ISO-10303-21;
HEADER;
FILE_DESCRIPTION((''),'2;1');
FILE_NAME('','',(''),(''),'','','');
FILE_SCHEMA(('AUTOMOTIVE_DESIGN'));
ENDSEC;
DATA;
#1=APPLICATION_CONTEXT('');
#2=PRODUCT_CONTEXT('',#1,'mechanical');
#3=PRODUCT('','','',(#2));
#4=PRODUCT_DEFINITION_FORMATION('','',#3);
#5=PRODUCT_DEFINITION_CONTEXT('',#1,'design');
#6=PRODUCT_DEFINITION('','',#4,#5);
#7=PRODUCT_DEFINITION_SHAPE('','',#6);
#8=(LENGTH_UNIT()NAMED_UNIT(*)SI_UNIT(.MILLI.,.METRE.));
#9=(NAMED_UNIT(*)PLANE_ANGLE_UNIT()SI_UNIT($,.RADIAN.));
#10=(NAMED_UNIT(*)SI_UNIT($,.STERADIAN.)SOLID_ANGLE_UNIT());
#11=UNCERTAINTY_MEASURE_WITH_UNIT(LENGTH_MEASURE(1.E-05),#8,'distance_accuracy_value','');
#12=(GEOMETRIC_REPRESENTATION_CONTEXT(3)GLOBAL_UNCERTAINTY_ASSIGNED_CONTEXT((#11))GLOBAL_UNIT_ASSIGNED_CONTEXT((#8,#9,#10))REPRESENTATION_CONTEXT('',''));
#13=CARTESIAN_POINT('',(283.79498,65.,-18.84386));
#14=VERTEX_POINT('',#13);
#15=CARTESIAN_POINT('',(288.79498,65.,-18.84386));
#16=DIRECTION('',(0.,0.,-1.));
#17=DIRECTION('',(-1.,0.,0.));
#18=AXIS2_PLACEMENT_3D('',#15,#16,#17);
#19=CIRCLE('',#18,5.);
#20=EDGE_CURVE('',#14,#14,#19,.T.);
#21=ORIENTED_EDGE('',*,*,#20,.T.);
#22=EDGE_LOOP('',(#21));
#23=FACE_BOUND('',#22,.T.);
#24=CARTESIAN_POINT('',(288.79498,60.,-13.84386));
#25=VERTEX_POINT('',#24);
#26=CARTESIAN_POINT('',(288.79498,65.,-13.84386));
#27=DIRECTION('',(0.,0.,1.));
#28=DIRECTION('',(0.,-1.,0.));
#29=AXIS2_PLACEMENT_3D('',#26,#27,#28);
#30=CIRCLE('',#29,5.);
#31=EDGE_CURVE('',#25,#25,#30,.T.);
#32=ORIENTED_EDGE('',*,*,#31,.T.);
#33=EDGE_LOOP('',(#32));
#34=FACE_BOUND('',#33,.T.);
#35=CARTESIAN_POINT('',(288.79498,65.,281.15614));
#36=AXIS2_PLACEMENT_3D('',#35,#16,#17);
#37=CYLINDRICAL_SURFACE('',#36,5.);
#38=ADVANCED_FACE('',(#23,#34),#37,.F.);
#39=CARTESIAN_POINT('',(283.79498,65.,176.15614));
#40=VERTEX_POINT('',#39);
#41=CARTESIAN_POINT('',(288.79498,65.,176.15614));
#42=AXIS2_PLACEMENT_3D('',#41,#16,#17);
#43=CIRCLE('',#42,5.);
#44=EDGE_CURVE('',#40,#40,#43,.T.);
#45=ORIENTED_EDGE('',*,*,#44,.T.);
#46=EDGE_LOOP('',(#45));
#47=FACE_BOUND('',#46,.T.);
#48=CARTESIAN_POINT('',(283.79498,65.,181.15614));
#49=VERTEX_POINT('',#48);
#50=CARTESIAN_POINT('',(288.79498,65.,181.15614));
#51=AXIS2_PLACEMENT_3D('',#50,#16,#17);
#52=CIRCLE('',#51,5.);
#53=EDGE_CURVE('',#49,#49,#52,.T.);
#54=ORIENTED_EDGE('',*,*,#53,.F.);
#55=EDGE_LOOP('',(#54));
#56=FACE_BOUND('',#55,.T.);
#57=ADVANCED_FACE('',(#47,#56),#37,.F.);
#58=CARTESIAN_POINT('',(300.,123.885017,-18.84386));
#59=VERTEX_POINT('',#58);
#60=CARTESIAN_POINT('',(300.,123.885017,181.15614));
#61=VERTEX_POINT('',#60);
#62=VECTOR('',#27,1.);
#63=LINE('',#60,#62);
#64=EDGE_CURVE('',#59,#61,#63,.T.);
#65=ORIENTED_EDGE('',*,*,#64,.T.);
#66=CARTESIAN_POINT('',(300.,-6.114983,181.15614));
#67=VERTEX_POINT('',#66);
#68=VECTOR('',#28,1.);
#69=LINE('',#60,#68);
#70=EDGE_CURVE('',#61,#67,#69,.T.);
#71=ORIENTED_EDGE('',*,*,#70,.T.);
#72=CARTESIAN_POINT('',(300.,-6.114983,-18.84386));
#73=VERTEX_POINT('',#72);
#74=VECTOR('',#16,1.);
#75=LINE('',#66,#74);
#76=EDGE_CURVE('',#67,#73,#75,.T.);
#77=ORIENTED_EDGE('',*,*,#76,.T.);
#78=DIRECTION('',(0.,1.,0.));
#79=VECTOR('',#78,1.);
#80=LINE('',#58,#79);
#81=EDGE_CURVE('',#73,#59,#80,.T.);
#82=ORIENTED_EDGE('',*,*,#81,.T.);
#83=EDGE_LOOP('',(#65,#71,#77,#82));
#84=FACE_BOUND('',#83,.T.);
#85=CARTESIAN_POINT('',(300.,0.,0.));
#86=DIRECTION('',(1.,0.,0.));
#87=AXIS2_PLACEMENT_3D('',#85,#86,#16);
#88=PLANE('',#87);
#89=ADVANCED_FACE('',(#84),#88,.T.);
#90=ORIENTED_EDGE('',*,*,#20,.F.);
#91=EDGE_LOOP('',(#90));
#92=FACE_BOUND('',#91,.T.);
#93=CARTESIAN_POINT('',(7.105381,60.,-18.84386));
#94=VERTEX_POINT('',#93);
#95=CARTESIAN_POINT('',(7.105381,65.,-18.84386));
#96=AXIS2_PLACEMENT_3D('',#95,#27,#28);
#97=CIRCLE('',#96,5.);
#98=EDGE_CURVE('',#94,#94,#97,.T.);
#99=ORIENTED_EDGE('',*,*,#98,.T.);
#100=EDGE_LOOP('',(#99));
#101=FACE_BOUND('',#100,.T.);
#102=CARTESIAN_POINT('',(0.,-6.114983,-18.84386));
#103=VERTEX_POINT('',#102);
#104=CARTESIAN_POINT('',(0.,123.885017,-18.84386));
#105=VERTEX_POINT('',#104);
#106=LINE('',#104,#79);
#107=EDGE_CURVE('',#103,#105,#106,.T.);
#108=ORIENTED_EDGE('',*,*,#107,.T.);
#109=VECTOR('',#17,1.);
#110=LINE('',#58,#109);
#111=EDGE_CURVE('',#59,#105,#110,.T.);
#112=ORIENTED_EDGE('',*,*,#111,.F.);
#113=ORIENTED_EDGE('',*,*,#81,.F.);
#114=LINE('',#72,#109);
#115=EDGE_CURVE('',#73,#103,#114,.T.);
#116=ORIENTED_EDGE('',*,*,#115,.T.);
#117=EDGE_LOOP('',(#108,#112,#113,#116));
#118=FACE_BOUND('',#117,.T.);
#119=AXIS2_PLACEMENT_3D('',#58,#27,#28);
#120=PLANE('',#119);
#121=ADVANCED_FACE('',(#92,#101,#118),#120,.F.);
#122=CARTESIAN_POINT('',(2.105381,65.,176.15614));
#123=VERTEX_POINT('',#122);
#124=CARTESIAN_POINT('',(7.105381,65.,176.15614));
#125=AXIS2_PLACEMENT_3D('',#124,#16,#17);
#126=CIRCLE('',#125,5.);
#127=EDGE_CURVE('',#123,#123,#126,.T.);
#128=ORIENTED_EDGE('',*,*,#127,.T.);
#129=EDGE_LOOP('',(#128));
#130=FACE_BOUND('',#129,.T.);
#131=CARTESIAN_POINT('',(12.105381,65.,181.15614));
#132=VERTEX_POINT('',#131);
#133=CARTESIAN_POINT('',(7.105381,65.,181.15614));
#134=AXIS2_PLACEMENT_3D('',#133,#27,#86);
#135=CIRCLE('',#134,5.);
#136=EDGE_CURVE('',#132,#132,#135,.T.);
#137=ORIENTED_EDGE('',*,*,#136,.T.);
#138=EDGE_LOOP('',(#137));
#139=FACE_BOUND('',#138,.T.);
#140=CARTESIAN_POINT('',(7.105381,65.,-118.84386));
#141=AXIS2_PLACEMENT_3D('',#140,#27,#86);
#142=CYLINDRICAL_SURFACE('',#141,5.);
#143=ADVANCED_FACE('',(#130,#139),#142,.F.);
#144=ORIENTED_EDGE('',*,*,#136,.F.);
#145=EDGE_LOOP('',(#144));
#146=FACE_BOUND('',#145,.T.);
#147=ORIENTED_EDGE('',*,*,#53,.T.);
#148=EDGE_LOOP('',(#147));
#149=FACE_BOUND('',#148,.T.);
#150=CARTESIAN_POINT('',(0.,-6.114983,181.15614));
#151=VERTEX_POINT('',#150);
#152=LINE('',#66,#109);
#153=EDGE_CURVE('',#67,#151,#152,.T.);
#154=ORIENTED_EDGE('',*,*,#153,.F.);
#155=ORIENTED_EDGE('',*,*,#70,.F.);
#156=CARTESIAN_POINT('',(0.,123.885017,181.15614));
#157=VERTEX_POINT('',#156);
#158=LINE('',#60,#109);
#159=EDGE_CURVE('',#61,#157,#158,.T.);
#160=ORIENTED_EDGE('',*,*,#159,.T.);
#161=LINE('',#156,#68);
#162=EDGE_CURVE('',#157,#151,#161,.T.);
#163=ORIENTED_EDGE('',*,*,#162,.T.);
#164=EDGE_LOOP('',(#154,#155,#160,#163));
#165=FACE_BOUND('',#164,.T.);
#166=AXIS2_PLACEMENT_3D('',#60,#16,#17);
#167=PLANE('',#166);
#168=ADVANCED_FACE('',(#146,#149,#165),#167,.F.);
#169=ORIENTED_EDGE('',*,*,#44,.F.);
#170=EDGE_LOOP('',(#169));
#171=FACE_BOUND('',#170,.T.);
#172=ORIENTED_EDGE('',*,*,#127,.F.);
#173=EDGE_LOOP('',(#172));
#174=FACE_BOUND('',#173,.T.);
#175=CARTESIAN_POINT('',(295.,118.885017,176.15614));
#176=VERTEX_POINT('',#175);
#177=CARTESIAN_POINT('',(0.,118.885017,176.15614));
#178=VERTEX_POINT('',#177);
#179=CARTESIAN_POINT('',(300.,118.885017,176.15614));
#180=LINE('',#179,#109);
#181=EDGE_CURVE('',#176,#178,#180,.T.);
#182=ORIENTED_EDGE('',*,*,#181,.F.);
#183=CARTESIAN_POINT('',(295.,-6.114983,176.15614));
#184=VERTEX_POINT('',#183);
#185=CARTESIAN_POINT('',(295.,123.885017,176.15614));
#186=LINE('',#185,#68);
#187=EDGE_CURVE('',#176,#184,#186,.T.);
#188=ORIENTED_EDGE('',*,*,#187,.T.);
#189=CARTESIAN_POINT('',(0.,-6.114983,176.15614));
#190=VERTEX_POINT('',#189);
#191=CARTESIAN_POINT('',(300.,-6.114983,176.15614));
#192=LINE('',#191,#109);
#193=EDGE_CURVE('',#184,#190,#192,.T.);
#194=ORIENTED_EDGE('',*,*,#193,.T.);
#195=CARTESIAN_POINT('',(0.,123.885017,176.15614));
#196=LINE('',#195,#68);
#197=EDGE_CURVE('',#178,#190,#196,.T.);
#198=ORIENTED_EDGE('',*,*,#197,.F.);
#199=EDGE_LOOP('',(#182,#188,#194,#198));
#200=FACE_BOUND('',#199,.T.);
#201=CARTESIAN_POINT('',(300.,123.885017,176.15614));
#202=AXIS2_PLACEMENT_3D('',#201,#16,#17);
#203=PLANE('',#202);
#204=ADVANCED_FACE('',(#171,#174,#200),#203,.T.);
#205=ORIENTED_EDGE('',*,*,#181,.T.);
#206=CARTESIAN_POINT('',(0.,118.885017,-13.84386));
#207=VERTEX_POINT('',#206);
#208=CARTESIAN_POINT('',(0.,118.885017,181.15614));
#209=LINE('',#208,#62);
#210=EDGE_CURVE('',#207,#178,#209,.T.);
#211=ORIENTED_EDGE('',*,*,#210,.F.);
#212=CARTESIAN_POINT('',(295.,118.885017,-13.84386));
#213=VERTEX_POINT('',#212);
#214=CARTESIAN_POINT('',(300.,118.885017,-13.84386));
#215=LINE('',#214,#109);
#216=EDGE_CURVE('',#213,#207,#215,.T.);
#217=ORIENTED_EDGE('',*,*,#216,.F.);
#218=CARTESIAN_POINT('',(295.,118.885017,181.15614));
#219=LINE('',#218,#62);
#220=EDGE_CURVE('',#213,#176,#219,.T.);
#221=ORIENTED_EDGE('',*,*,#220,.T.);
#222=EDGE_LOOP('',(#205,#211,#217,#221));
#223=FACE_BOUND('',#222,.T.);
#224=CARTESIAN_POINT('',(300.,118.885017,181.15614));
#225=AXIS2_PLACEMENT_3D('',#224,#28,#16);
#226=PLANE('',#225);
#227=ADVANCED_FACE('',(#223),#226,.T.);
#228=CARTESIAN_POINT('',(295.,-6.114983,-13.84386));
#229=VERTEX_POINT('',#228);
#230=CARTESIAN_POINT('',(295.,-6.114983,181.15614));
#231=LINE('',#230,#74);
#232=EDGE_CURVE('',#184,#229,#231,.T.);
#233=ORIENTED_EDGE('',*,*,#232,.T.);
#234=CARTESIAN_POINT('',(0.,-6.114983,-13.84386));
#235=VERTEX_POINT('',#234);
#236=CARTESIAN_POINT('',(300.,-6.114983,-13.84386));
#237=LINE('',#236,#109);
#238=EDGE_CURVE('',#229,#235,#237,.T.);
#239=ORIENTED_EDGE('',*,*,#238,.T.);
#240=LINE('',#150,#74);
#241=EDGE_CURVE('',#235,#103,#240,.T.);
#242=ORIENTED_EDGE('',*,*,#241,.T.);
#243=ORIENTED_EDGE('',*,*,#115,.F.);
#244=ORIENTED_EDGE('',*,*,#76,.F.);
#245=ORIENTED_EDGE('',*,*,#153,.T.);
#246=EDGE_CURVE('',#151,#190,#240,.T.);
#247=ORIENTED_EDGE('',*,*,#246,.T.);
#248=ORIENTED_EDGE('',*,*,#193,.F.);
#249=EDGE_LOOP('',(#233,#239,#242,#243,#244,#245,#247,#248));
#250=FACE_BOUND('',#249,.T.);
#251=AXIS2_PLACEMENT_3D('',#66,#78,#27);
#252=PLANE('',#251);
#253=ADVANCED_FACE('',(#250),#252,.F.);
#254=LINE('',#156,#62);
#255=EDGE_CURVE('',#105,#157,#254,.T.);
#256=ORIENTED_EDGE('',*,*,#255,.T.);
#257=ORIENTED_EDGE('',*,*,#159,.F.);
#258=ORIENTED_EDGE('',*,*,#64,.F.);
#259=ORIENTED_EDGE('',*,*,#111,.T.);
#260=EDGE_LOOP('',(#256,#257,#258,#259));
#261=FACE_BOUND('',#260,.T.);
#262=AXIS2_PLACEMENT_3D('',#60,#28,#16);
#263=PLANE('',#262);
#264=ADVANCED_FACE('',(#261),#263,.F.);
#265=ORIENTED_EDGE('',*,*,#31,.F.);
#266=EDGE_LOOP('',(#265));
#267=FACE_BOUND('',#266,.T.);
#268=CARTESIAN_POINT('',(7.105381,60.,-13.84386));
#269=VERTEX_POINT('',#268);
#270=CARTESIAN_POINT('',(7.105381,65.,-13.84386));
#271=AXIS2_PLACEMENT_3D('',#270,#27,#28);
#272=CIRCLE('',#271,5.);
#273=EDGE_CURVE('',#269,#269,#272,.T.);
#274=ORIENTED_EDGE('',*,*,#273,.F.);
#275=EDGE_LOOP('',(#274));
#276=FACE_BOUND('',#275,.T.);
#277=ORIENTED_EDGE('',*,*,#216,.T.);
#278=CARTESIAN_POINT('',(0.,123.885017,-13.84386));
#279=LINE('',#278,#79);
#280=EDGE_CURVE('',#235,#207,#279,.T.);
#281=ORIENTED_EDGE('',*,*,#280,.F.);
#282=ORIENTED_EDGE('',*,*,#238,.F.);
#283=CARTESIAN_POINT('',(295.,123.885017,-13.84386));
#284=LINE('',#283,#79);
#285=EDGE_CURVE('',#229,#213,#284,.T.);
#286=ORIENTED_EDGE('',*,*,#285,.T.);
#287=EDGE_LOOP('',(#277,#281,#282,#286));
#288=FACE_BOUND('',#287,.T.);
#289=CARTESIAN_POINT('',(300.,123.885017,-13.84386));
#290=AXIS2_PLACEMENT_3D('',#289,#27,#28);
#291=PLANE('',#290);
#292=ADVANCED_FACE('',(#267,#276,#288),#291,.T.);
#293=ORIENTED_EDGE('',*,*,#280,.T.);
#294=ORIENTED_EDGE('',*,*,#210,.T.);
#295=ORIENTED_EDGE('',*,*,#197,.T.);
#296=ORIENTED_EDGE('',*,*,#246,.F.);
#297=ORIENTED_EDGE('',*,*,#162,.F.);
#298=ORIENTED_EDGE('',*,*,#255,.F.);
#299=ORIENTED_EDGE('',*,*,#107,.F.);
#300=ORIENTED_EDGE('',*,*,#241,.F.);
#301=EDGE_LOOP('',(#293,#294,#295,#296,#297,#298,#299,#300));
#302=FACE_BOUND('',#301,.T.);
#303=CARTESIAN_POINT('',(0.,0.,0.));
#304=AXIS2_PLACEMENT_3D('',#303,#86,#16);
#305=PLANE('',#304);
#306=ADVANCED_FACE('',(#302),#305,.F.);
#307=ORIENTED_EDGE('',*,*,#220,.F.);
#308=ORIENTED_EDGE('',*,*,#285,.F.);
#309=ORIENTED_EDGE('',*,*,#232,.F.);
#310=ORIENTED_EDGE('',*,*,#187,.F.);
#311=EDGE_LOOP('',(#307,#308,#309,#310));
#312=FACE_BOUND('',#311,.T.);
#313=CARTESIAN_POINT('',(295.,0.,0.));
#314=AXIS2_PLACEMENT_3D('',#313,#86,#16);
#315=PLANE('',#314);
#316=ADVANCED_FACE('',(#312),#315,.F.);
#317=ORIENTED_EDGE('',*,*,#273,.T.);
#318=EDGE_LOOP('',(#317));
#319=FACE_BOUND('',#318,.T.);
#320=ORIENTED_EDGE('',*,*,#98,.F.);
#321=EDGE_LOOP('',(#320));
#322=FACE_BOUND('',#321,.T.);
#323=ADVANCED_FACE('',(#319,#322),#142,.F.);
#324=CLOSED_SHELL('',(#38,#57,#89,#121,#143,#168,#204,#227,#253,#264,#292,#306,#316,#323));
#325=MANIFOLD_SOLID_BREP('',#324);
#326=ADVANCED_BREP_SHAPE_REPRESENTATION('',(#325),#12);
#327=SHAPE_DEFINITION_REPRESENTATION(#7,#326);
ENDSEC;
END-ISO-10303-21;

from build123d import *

# Parameters (mm, degrees)
SKETCH3_W           = 200
SKETCH3_H           = 130
BOSS_EXTRUDE1_DEPTH = 300
SHELL2_T            = -5
SKETCH12_R          = 5
CUT_EXTRUDE1_DEPTH  = 300
SKETCH13_R          = 5
CUT_EXTRUDE3_DEPTH  = 300


with BuildPart() as part:
    # Sketch3 → Boss-Extrude1 (new body)
    with BuildSketch(Plane(origin=(0, 0, 0), x_dir=(0, 0, -1), z_dir=(1, 0, 0))):
        with Locations((-81.156140409, 58.885017422)):
            Rectangle(SKETCH3_W, SKETCH3_H)
    extrude(amount=BOSS_EXTRUDE1_DEPTH)

    # Shell2
    shell2_openings = [part.faces().sort_by_distance(p)[0] for p in [
        (0, 58.885017422, 81.156140409),
        (150, -6.114982578, 81.156140409),
    ]]
    offset(amount=SHELL2_T, openings=shell2_openings, kind=Kind.INTERSECTION)

    # Sketch12 → Cut-Extrude1 (cut)
    with BuildSketch(Plane(origin=(0, 0, -18.843859591), x_dir=(-1, 0, 0), z_dir=(0, 0, -1))):
        with Locations((-288.794979597, 65)):
            Circle(SKETCH12_R)
    extrude(amount=-CUT_EXTRUDE1_DEPTH, mode=Mode.SUBTRACT)

    # Sketch13 → Cut-Extrude3 (cut)
    with BuildSketch(Plane.XY.offset(181.156140409)):
        with Locations(Location((7.10538066, 65, 0), (0, 0, 270))):
            Circle(SKETCH13_R)
    extrude(amount=-CUT_EXTRUDE3_DEPTH, mode=Mode.SUBTRACT)


solid = part.part
